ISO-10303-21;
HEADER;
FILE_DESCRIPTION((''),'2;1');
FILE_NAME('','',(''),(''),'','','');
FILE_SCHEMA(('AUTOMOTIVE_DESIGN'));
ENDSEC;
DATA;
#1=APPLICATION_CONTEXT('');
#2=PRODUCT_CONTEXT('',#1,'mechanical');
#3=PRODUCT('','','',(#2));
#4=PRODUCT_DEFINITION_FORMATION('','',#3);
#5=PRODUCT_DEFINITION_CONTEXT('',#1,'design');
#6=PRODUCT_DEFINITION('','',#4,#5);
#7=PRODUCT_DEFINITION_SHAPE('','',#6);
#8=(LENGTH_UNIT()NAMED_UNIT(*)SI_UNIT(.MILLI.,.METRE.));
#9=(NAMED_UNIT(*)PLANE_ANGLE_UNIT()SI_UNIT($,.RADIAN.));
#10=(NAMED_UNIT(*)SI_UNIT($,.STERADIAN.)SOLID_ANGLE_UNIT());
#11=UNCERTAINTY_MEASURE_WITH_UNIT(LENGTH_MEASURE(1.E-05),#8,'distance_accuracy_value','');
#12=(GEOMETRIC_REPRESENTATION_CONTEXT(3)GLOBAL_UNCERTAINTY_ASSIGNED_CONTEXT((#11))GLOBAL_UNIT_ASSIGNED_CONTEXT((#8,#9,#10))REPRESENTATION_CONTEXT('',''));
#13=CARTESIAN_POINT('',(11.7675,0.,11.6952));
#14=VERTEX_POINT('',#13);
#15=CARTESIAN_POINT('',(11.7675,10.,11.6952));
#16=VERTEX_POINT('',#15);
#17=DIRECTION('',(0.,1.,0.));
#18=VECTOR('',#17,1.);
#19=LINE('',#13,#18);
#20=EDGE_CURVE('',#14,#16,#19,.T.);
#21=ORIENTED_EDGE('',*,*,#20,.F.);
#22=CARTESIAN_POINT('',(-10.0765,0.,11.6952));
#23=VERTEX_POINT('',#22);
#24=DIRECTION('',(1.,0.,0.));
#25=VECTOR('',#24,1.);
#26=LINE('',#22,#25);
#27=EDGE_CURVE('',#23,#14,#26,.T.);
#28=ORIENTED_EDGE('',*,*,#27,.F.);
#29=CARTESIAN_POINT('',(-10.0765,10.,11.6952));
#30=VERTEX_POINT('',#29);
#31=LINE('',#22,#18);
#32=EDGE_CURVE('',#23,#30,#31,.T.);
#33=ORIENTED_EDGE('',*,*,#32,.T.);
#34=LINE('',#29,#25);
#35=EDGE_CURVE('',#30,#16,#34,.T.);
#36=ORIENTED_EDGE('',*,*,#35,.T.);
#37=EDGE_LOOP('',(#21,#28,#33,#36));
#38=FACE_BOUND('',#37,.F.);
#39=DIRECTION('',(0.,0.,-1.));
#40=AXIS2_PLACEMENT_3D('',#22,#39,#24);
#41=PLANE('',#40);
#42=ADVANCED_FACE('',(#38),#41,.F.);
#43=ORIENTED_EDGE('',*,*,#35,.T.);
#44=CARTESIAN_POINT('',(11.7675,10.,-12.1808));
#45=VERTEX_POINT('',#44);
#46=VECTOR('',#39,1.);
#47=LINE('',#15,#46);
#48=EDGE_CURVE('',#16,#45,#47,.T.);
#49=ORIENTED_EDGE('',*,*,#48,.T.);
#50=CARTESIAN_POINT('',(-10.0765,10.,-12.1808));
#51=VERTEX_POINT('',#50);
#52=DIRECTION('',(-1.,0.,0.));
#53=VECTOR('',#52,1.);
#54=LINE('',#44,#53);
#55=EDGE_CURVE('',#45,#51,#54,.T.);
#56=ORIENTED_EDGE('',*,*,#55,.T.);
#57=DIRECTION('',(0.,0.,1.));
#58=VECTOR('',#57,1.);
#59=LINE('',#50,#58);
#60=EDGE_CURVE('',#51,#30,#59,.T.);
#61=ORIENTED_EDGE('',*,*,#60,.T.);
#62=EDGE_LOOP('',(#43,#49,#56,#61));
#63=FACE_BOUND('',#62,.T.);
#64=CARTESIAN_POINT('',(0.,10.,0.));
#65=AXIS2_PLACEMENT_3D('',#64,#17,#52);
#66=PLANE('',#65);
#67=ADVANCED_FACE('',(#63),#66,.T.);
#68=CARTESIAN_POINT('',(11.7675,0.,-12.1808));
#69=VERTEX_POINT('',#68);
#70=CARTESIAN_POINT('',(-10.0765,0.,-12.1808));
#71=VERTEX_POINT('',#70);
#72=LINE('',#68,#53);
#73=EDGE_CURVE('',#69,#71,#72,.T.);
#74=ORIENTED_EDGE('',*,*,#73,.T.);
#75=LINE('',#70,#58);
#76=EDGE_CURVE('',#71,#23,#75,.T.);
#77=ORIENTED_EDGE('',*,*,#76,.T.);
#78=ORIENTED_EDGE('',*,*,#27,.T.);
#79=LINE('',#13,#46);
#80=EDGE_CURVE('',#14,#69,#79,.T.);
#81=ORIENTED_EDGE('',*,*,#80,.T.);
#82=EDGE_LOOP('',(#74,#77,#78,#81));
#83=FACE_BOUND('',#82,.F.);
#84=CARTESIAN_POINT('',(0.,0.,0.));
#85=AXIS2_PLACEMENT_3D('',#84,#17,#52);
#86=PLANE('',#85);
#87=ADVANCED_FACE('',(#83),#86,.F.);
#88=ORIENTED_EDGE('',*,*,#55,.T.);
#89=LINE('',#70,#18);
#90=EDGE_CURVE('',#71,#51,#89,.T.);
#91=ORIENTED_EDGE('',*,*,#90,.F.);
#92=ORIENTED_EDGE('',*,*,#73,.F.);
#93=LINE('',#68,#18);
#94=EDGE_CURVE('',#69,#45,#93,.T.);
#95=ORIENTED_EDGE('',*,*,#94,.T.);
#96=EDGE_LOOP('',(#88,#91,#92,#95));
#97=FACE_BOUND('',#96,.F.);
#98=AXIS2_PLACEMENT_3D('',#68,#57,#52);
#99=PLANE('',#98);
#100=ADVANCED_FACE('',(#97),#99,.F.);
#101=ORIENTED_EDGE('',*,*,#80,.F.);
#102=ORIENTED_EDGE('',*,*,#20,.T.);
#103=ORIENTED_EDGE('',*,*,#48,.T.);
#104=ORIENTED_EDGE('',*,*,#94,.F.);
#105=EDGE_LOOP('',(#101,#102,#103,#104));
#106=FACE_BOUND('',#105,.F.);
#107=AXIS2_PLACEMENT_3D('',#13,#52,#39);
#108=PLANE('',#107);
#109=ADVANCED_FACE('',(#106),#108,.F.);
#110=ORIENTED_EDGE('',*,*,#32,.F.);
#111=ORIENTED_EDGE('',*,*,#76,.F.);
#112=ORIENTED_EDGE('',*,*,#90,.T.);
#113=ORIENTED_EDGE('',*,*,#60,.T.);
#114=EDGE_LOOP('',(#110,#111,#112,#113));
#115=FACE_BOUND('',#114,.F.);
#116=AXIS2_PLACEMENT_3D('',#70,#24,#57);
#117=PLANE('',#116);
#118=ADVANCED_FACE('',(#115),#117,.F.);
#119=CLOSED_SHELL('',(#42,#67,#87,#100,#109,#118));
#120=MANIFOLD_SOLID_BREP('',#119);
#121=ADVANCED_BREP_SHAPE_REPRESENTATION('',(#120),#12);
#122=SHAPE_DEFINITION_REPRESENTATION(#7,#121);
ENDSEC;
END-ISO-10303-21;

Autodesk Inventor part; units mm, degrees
ref_plane "YZ Plane" through (0, 0, 0) normal (1, 0, 0) x (0, 1, 0)
ref_plane "XZ Plane" through (0, 0, 0) normal (0, 1, 0) x (-1, 0, 0)
ref_plane "XY Plane" through (0, 0, 0) normal (0, 0, 1) x (1, 0, 0)
sketch "Sketch1" plane through (0, 0, 0) normal (0, 1, 0) x (-1, 0, 0)
  line L0 (10.0765, 11.6952) -> (-11.7675, 11.6952)
  line L1 (-11.7675, 11.6952) -> (-11.7675, -12.1808)
  line L2 (-11.7675, -12.1808) -> (10.0765, -12.1808)
  line L3 (10.0765, -12.1808) -> (10.0765, 11.6952)
  point P0 (0, 0)
  dimension "d0" = 23.876
  dimension "d1" = 21.844
extrude "Extrusion1" add sketch "Sketch1" along normal blind 10
properties part number "CombinerBlock"
